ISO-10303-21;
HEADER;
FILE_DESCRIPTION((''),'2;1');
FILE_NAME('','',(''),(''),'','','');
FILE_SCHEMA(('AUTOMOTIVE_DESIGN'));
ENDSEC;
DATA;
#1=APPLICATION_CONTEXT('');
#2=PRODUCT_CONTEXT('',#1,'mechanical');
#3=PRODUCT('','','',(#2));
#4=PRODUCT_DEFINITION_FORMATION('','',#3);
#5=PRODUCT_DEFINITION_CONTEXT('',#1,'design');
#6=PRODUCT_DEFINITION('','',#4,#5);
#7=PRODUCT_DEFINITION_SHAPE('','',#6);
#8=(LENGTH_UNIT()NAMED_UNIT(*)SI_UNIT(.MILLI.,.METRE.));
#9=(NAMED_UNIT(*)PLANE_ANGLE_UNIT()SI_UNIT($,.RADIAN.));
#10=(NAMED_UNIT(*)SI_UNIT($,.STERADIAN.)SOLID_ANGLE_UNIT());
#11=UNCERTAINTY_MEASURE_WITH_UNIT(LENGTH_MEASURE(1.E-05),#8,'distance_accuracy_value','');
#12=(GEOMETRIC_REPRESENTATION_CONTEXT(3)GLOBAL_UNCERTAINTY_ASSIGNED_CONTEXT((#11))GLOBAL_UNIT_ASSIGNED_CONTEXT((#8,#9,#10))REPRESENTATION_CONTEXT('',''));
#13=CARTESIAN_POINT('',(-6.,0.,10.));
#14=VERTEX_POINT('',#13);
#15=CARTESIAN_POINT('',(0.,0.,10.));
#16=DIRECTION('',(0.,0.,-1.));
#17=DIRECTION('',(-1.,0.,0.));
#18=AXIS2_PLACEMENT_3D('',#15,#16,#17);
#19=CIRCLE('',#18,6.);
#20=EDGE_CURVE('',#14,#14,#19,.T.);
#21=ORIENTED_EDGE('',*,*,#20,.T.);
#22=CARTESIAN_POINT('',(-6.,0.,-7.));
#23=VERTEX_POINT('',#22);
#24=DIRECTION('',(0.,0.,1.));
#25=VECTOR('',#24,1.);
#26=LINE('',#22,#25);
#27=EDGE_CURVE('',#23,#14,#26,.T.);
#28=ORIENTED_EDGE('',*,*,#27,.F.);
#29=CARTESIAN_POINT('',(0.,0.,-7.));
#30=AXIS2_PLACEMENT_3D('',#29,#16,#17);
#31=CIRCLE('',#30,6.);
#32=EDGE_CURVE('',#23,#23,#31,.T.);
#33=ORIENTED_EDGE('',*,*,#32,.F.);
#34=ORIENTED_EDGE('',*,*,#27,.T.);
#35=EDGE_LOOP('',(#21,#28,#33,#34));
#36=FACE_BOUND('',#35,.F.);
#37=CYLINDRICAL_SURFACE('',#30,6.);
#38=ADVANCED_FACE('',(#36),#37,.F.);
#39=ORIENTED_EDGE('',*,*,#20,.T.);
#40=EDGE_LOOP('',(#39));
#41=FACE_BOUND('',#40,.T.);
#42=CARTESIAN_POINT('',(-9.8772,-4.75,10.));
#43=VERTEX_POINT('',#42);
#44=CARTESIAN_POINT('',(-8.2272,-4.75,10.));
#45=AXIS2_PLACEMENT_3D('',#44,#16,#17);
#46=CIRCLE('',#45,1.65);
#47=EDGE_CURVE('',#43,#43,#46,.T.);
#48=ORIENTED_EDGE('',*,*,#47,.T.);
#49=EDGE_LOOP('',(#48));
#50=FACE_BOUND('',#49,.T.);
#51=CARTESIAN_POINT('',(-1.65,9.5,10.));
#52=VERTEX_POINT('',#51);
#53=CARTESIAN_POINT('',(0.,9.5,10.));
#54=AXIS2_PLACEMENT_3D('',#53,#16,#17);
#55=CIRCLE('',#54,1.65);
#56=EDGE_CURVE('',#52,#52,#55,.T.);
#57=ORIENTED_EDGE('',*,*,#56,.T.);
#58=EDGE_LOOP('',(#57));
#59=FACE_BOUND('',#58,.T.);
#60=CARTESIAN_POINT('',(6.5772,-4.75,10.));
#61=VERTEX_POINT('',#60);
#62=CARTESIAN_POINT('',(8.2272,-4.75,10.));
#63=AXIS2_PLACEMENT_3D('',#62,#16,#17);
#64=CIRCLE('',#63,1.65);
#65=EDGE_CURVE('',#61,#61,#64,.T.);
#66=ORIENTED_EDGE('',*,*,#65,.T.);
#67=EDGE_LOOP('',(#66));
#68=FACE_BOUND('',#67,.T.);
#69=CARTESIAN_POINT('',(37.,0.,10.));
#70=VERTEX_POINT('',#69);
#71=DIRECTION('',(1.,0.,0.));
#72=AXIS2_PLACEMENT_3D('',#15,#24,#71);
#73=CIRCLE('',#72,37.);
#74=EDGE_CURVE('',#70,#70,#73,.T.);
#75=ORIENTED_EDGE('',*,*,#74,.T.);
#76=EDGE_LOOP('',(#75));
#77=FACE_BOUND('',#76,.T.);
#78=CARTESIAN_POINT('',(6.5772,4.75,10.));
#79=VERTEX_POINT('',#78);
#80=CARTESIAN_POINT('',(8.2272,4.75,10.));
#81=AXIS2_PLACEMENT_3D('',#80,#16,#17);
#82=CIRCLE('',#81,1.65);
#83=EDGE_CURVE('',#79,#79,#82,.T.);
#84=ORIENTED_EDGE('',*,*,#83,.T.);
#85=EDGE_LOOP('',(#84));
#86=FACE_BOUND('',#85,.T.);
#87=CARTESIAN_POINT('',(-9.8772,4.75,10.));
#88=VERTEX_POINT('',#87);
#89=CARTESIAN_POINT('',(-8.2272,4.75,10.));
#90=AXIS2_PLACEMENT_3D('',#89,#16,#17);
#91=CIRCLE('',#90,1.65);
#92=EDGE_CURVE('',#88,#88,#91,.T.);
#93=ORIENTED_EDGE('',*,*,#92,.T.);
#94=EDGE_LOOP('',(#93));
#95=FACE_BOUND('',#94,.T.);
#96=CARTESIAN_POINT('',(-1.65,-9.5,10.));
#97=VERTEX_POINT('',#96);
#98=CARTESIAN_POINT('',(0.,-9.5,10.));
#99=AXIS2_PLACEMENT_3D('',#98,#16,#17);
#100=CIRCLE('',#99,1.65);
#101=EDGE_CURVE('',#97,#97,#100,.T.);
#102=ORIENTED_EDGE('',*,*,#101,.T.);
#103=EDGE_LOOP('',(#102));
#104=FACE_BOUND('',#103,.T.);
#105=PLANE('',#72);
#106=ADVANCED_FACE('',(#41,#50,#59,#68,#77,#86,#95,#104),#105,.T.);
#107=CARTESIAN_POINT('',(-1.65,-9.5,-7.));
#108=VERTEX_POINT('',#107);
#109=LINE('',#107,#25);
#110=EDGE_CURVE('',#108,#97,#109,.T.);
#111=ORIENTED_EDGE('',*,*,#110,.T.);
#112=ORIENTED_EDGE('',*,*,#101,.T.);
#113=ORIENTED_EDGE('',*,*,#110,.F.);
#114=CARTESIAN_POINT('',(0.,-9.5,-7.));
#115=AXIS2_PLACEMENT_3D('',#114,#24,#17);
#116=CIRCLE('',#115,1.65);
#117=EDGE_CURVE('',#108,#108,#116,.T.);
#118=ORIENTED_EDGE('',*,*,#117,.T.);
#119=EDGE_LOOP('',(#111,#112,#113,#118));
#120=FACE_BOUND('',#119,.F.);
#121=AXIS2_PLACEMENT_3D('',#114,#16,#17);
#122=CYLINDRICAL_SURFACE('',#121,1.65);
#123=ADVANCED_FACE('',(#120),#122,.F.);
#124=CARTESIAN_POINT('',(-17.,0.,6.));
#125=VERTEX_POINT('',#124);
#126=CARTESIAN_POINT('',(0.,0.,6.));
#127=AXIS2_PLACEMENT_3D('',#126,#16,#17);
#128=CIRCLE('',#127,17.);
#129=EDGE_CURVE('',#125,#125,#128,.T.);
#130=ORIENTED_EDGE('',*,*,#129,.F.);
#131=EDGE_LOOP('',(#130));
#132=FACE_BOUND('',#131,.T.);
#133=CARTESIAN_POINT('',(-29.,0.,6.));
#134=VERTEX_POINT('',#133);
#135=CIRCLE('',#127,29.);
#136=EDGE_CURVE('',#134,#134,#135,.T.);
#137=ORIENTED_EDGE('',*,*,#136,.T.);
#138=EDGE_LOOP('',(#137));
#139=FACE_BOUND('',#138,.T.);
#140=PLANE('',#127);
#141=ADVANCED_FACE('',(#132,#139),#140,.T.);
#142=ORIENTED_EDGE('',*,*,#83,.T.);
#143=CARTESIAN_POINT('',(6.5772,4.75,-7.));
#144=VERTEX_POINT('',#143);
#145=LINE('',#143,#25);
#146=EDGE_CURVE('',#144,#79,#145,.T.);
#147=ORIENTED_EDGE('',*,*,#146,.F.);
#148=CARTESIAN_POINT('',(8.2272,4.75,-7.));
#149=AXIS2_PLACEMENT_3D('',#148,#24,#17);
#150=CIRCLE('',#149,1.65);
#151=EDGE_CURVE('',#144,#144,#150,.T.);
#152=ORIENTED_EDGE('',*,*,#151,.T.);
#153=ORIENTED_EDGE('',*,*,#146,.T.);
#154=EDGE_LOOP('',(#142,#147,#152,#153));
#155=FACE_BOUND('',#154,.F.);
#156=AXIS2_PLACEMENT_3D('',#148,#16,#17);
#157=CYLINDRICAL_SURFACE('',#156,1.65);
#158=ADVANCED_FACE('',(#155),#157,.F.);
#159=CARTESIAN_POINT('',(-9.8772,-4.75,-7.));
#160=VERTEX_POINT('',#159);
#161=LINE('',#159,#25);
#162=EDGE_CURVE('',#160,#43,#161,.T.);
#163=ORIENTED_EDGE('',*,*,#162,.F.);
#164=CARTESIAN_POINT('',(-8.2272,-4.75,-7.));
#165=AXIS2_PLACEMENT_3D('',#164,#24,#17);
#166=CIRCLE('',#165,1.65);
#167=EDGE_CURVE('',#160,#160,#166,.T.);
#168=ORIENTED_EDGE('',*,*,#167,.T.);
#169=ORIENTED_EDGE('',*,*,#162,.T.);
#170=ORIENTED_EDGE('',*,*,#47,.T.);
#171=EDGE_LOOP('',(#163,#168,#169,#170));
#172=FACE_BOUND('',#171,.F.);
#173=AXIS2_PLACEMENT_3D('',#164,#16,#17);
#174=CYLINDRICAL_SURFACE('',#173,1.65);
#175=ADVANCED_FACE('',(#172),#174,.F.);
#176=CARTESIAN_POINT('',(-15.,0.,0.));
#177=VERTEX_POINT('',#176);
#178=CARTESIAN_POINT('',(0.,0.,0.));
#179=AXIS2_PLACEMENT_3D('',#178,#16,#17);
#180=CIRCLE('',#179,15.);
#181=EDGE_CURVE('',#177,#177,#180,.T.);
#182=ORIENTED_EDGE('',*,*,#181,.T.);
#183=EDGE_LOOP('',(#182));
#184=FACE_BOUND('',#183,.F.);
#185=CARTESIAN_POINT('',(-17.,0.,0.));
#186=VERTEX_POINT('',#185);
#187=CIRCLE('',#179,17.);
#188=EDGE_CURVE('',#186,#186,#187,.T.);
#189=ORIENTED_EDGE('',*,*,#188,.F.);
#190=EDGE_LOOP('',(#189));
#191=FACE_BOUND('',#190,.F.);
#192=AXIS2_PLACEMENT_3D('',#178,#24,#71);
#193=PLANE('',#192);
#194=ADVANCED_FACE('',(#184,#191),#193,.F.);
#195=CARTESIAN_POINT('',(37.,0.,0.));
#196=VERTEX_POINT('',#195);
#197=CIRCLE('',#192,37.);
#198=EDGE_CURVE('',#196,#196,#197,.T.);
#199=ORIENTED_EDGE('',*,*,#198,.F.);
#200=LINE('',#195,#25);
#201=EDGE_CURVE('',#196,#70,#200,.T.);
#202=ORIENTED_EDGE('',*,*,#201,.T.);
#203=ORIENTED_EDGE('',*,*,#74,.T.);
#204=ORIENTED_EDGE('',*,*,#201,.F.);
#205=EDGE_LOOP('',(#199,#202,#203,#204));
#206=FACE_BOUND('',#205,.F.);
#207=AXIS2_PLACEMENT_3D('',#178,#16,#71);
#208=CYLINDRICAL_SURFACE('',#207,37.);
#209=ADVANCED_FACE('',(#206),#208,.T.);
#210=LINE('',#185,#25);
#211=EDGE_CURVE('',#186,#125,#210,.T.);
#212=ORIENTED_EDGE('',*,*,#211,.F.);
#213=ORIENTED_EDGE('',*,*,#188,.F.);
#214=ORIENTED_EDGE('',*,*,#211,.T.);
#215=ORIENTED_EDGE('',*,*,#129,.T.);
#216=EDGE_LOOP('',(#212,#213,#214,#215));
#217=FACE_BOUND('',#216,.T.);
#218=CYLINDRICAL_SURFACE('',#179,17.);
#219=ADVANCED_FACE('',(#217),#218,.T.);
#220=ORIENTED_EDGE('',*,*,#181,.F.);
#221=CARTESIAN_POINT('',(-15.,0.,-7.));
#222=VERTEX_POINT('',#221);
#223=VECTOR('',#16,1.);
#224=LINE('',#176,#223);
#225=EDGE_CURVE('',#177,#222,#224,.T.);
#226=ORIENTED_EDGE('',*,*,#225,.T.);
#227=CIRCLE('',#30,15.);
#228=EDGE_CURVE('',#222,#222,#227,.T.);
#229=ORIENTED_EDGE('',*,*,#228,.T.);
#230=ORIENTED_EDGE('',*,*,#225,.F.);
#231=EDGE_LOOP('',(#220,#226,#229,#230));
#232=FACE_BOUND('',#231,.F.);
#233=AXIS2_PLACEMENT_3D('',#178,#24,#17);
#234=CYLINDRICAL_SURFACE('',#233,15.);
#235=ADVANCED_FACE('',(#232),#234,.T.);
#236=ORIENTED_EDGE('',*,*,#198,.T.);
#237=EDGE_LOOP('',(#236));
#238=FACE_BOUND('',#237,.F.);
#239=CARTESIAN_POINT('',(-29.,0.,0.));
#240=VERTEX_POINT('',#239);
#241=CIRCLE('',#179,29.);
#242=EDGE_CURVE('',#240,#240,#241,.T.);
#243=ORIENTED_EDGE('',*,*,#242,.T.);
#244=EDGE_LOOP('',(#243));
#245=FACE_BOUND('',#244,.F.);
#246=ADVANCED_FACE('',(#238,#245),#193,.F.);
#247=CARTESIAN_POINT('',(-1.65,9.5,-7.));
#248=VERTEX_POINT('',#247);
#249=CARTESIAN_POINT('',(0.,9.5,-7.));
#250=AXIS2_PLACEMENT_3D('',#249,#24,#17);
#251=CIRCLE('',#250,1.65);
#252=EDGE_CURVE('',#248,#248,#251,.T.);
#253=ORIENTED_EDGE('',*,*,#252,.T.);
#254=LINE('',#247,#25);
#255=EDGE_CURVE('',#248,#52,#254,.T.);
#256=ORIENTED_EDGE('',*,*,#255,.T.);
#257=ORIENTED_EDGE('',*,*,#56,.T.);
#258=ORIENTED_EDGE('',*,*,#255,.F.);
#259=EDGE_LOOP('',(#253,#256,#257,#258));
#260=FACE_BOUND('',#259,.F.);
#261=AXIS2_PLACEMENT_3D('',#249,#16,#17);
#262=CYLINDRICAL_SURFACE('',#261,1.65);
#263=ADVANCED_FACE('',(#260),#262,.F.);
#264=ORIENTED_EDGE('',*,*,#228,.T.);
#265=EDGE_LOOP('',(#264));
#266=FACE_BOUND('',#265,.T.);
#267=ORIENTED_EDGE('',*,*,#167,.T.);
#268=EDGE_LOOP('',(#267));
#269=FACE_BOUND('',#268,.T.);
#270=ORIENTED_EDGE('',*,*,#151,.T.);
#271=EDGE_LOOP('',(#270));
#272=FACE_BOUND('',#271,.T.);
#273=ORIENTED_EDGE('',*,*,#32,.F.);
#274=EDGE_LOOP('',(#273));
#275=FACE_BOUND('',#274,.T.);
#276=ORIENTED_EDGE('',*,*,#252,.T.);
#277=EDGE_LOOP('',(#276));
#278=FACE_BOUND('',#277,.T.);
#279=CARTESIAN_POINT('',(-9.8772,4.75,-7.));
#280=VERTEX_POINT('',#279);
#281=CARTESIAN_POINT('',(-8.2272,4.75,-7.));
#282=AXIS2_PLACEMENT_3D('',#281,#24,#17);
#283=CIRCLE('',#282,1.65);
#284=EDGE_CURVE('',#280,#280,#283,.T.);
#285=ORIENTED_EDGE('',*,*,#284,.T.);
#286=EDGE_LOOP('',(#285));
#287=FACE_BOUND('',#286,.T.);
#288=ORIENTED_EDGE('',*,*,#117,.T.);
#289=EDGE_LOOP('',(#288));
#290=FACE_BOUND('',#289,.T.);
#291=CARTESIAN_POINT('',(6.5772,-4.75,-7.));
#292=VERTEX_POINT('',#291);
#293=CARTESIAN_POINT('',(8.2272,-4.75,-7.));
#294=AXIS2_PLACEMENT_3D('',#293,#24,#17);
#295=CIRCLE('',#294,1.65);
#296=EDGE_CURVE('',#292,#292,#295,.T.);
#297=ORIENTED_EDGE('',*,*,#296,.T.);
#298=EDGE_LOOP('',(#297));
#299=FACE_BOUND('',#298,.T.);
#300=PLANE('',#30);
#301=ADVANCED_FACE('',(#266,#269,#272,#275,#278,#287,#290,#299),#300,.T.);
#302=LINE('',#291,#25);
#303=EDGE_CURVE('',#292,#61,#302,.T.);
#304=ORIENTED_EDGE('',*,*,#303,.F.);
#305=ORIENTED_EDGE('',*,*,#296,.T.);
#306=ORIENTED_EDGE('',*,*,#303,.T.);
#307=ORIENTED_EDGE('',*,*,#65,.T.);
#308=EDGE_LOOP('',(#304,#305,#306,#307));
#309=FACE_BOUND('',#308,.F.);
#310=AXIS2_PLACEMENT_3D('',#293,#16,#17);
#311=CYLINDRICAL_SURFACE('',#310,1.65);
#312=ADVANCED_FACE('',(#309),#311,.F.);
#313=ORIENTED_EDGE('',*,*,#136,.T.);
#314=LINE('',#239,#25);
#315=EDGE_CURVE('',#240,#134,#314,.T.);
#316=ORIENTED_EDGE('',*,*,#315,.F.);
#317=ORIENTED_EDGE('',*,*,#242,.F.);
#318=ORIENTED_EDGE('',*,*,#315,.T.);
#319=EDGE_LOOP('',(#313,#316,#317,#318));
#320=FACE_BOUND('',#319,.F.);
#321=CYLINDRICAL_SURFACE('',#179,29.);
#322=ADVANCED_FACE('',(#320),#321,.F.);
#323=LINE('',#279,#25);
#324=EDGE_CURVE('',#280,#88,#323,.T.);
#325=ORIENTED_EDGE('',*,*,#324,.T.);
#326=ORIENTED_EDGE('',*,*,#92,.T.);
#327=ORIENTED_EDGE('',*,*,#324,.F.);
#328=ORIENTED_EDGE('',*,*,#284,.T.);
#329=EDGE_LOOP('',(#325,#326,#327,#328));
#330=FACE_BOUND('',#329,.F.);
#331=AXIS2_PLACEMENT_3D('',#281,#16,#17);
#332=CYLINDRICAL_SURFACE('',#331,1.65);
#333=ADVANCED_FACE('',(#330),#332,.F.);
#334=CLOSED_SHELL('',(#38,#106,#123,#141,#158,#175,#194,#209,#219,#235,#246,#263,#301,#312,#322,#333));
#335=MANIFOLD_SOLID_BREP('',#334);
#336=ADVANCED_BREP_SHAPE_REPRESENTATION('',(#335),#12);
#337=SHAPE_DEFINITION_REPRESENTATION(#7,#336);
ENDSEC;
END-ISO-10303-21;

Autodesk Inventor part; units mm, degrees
ref_plane "YZ Plane" through (0, 0, 0) normal (1, 0, 0) x (0, 1, 0)
ref_plane "XZ Plane" through (0, 0, 0) normal (0, 1, 0) x (-1, 0, 0)
ref_plane "XY Plane" through (0, 0, 0) normal (0, 0, 1) x (1, 0, 0)
sketch "Sketch1" plane through (0, 0, 0) normal (0, 0, 1) x (1, 0, 0)
  circle A0 centre (0, 0) radius 37
  dimension "d0" = 74
extrude "Extrusion1" add sketch "Sketch1" along normal blind 10
sketch "Sketch4" plane through (0, 0, 0) normal (0, 0, -1) x (-1, 0, 0)
  circle A0 centre (0, 0) radius 29
  circle A1 centre (0, 0) radius 17
  circle A2 centre (0, 0) radius 37 projected
  dimension "d5" = 8
  dimension "d6" = 34
extrude "Extrusion3" cut sketch "Sketch4" against normal blind 6 contours A0
sketch "Sketch6" plane through (0, 0, 0) normal (0, 0, -1) x (-1, 0, 0)
  circle A0 centre (0, 0) radius 15
  dimension "d9" = 30
extrude "Extrusion4" add sketch "Sketch6" along normal blind 7
sketch "Sketch8" plane through (0, 0, -7) normal (0, 0, -1) x (-1, 0, 0)
  circle A0 centre (0, 0) radius 9.5
  circle A1 centre (0, 9.5) radius 1.65
  circle A2 centre (-8.2272, 4.75) radius 1.65
  circle A3 centre (-8.2272, -4.75) radius 1.65
  circle A4 centre (0, 0) radius 6
  circle A5 centre (0, -9.5) radius 1.65
  circle A6 centre (8.2272, -4.75) radius 1.65
  circle A7 centre (8.2272, 4.75) radius 1.65
  dimension "d16" = 19
  dimension "d17" = 3.3
  dimension "d20" = 360
  dimension "d24" = 12
extrude "Extrusion6" cut sketch "Sketch8" against normal through all contours A7 A0 | A0 A7 | A6 A0 | A0 A6 | A1 A0 | A0 A1 | A5 A0 | A0 A5 | A2 A0 | A0 A2 | A3 A0 | A0 A3 | A4
properties part number "rotor_hub" material "Aluminum 6061"
